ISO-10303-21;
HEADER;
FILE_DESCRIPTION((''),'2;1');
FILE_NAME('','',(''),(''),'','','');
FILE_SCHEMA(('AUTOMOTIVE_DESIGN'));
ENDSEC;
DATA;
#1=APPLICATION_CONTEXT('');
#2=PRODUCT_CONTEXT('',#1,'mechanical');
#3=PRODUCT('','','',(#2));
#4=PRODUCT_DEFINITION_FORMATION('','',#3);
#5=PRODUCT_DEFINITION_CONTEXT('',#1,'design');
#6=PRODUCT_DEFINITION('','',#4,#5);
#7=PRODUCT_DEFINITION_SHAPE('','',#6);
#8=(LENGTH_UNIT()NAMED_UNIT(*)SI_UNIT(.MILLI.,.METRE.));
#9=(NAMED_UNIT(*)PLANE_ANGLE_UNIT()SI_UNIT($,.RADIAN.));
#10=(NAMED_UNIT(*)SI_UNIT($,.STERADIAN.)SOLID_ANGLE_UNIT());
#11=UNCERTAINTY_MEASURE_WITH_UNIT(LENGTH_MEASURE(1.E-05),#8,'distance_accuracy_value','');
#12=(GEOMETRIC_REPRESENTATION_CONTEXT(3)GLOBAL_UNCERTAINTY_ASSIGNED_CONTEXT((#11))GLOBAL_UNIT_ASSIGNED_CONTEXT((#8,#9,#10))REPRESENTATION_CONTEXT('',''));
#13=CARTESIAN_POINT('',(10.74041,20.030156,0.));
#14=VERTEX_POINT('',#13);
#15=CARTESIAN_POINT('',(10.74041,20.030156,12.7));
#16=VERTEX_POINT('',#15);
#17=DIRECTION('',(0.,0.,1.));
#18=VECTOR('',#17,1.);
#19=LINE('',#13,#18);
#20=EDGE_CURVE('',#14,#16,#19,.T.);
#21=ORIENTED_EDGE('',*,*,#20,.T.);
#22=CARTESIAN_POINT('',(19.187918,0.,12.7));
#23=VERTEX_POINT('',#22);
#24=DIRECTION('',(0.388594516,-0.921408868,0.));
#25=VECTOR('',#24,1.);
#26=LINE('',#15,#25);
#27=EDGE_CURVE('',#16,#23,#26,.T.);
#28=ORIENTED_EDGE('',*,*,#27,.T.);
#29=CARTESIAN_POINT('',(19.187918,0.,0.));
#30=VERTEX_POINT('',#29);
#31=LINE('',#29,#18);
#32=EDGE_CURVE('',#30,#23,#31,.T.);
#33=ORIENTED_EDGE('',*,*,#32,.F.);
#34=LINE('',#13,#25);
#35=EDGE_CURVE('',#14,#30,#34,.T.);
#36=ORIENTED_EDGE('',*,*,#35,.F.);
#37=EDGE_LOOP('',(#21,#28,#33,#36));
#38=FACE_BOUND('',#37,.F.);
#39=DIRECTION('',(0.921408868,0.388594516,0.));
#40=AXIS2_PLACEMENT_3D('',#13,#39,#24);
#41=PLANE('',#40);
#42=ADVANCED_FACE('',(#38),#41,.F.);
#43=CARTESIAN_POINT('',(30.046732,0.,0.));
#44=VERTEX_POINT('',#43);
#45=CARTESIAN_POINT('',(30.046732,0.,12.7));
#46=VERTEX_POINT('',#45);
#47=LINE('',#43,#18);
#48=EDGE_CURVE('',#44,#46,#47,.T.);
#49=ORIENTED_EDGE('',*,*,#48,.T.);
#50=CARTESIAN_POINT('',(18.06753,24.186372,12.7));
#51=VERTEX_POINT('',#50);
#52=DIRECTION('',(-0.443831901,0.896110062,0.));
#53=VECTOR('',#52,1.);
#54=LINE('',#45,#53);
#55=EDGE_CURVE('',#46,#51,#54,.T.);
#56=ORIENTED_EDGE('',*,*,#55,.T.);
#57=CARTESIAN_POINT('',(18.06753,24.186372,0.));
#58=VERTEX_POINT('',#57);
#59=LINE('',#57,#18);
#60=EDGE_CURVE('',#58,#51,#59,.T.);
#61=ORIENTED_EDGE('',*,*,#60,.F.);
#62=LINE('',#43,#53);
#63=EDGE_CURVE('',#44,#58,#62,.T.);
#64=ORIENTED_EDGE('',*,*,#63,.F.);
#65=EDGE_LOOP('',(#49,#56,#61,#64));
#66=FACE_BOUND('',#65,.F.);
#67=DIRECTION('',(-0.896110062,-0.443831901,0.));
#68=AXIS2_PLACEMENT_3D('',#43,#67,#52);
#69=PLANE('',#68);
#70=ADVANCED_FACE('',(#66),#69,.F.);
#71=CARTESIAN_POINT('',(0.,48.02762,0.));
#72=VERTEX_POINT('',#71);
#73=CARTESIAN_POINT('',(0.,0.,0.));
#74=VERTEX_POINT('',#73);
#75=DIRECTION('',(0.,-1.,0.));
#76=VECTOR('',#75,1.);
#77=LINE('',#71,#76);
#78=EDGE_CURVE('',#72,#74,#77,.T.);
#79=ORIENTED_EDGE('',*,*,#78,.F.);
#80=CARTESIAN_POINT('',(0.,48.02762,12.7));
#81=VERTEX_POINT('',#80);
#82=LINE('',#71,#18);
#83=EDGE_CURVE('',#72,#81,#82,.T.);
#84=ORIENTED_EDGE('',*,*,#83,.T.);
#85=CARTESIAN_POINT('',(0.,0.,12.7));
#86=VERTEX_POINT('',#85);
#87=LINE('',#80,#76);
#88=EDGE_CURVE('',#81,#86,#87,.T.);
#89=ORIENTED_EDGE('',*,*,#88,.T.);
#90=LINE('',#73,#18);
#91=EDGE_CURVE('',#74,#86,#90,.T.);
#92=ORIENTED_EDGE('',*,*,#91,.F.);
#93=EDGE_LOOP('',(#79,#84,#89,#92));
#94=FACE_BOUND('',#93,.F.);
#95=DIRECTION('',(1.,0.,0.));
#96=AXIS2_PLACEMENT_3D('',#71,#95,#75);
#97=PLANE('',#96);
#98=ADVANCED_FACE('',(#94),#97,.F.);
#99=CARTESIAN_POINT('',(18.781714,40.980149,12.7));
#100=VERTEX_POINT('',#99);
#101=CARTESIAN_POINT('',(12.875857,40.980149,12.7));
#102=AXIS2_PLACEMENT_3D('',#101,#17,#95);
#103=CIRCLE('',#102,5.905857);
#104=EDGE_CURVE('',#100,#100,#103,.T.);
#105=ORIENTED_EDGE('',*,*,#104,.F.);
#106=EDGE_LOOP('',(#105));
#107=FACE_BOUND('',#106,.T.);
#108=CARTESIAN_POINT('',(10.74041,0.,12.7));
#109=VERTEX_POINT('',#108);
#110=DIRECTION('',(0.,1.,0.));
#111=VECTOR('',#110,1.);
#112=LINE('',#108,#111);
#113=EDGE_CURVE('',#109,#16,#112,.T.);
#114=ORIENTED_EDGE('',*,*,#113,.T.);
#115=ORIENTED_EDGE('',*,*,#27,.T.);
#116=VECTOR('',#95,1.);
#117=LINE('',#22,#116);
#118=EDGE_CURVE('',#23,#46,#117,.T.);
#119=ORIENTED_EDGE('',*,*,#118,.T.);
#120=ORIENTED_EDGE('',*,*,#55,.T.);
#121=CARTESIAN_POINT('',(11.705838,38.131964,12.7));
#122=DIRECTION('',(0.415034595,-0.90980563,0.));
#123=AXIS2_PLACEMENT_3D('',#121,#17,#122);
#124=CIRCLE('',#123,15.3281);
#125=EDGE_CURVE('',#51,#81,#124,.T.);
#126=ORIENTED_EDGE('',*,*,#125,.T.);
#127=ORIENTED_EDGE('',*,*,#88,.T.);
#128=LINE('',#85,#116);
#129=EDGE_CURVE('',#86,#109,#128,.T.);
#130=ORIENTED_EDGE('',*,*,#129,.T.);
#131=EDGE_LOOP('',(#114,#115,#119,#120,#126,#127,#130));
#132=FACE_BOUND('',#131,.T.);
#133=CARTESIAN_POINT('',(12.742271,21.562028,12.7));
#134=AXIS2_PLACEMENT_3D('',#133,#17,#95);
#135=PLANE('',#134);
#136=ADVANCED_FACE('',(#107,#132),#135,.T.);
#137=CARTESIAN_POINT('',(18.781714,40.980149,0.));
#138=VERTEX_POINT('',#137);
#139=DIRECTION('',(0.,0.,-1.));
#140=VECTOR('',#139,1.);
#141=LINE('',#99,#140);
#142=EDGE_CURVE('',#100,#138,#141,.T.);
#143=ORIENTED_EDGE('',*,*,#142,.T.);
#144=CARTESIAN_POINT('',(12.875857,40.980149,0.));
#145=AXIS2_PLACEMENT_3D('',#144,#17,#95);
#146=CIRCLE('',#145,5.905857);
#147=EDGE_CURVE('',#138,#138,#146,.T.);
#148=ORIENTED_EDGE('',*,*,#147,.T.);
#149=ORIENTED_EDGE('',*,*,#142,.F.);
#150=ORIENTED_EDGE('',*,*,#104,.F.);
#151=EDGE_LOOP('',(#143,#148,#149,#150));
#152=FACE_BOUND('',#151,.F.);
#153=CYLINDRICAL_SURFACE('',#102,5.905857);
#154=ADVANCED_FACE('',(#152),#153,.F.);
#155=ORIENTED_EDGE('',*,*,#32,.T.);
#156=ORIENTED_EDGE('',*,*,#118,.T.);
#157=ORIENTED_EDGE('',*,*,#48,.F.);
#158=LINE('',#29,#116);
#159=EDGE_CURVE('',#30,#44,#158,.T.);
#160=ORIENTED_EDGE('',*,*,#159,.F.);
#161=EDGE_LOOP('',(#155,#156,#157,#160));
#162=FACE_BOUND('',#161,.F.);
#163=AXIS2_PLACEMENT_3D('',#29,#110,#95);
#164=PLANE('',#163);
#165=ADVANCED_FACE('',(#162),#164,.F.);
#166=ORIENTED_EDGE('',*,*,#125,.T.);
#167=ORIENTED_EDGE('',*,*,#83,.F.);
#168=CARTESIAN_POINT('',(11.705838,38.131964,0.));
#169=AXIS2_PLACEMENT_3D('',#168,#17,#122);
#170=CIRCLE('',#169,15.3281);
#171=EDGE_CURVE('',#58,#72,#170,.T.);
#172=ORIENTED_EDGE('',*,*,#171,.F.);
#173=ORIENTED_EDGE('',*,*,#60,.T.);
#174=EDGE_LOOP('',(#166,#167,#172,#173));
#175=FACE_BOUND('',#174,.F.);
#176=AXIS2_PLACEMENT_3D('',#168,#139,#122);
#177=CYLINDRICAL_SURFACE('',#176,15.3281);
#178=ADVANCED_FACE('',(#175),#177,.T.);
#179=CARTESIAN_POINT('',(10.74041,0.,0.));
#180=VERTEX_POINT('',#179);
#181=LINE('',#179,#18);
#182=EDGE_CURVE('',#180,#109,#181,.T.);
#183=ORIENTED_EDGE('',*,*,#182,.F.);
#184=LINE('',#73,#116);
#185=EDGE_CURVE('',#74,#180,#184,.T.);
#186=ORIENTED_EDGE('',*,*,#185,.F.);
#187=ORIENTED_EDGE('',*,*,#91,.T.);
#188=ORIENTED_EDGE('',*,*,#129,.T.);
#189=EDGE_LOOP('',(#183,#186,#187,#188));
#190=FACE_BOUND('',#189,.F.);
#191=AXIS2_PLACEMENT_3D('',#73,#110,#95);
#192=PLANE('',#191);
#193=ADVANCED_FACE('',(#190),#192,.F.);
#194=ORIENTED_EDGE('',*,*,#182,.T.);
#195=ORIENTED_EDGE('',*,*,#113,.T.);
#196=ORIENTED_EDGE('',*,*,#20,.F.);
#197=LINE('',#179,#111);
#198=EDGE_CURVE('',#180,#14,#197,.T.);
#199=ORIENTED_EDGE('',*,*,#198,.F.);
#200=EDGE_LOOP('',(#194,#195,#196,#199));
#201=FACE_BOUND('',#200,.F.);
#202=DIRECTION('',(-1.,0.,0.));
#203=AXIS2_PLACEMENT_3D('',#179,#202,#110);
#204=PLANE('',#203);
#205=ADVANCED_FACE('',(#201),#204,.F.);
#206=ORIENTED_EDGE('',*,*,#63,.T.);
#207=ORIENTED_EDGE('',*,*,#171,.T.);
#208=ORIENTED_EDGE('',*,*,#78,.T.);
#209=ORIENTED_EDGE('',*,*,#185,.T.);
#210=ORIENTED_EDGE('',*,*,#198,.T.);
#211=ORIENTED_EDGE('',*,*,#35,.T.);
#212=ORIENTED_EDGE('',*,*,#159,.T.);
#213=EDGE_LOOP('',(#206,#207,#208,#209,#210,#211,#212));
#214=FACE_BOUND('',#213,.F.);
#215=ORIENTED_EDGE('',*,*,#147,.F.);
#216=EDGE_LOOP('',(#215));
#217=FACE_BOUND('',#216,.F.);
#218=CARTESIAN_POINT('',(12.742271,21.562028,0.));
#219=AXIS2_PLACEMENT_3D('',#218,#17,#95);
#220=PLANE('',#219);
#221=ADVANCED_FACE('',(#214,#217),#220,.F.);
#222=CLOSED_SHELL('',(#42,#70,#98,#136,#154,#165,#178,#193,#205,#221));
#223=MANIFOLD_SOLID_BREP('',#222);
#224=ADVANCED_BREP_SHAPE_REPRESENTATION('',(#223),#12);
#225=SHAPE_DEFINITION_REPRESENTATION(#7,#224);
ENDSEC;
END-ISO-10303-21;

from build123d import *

# Parameters (mm, degrees)
F1_DEPTH = 12.7
F2_R     = 5.905857
F3_DEPTH = 25.4


with BuildPart() as f1:
    # F0 (on Top) → F1 (new body)
    with BuildSketch(Plane.XY):
        with BuildLine():
            Line((0, 48.02762), (0, 0))
            Line((0, 0), (10.74041, 0))
            Line((10.74041, 0), (10.74041, 20.030156))
            Line((10.74041, 20.030156), (19.187918, 0))
            Line((19.187918, 0), (30.046732, 0))
            Line((30.046732, 0), (18.06753, 24.186372))
            ThreePointArc((18.06753, 24.186372), (23.922272, 47.389901), (0, 48.02762))
        make_face()
    extrude(amount=F1_DEPTH)

    # F2 (on face) → F3 (cut)
    with BuildSketch(Plane.XY.offset(12.7)):
        with Locations((12.875857, 40.980149)):
            Circle(F2_R)
    extrude(amount=-F3_DEPTH, mode=Mode.SUBTRACT)


solid = f1.part
